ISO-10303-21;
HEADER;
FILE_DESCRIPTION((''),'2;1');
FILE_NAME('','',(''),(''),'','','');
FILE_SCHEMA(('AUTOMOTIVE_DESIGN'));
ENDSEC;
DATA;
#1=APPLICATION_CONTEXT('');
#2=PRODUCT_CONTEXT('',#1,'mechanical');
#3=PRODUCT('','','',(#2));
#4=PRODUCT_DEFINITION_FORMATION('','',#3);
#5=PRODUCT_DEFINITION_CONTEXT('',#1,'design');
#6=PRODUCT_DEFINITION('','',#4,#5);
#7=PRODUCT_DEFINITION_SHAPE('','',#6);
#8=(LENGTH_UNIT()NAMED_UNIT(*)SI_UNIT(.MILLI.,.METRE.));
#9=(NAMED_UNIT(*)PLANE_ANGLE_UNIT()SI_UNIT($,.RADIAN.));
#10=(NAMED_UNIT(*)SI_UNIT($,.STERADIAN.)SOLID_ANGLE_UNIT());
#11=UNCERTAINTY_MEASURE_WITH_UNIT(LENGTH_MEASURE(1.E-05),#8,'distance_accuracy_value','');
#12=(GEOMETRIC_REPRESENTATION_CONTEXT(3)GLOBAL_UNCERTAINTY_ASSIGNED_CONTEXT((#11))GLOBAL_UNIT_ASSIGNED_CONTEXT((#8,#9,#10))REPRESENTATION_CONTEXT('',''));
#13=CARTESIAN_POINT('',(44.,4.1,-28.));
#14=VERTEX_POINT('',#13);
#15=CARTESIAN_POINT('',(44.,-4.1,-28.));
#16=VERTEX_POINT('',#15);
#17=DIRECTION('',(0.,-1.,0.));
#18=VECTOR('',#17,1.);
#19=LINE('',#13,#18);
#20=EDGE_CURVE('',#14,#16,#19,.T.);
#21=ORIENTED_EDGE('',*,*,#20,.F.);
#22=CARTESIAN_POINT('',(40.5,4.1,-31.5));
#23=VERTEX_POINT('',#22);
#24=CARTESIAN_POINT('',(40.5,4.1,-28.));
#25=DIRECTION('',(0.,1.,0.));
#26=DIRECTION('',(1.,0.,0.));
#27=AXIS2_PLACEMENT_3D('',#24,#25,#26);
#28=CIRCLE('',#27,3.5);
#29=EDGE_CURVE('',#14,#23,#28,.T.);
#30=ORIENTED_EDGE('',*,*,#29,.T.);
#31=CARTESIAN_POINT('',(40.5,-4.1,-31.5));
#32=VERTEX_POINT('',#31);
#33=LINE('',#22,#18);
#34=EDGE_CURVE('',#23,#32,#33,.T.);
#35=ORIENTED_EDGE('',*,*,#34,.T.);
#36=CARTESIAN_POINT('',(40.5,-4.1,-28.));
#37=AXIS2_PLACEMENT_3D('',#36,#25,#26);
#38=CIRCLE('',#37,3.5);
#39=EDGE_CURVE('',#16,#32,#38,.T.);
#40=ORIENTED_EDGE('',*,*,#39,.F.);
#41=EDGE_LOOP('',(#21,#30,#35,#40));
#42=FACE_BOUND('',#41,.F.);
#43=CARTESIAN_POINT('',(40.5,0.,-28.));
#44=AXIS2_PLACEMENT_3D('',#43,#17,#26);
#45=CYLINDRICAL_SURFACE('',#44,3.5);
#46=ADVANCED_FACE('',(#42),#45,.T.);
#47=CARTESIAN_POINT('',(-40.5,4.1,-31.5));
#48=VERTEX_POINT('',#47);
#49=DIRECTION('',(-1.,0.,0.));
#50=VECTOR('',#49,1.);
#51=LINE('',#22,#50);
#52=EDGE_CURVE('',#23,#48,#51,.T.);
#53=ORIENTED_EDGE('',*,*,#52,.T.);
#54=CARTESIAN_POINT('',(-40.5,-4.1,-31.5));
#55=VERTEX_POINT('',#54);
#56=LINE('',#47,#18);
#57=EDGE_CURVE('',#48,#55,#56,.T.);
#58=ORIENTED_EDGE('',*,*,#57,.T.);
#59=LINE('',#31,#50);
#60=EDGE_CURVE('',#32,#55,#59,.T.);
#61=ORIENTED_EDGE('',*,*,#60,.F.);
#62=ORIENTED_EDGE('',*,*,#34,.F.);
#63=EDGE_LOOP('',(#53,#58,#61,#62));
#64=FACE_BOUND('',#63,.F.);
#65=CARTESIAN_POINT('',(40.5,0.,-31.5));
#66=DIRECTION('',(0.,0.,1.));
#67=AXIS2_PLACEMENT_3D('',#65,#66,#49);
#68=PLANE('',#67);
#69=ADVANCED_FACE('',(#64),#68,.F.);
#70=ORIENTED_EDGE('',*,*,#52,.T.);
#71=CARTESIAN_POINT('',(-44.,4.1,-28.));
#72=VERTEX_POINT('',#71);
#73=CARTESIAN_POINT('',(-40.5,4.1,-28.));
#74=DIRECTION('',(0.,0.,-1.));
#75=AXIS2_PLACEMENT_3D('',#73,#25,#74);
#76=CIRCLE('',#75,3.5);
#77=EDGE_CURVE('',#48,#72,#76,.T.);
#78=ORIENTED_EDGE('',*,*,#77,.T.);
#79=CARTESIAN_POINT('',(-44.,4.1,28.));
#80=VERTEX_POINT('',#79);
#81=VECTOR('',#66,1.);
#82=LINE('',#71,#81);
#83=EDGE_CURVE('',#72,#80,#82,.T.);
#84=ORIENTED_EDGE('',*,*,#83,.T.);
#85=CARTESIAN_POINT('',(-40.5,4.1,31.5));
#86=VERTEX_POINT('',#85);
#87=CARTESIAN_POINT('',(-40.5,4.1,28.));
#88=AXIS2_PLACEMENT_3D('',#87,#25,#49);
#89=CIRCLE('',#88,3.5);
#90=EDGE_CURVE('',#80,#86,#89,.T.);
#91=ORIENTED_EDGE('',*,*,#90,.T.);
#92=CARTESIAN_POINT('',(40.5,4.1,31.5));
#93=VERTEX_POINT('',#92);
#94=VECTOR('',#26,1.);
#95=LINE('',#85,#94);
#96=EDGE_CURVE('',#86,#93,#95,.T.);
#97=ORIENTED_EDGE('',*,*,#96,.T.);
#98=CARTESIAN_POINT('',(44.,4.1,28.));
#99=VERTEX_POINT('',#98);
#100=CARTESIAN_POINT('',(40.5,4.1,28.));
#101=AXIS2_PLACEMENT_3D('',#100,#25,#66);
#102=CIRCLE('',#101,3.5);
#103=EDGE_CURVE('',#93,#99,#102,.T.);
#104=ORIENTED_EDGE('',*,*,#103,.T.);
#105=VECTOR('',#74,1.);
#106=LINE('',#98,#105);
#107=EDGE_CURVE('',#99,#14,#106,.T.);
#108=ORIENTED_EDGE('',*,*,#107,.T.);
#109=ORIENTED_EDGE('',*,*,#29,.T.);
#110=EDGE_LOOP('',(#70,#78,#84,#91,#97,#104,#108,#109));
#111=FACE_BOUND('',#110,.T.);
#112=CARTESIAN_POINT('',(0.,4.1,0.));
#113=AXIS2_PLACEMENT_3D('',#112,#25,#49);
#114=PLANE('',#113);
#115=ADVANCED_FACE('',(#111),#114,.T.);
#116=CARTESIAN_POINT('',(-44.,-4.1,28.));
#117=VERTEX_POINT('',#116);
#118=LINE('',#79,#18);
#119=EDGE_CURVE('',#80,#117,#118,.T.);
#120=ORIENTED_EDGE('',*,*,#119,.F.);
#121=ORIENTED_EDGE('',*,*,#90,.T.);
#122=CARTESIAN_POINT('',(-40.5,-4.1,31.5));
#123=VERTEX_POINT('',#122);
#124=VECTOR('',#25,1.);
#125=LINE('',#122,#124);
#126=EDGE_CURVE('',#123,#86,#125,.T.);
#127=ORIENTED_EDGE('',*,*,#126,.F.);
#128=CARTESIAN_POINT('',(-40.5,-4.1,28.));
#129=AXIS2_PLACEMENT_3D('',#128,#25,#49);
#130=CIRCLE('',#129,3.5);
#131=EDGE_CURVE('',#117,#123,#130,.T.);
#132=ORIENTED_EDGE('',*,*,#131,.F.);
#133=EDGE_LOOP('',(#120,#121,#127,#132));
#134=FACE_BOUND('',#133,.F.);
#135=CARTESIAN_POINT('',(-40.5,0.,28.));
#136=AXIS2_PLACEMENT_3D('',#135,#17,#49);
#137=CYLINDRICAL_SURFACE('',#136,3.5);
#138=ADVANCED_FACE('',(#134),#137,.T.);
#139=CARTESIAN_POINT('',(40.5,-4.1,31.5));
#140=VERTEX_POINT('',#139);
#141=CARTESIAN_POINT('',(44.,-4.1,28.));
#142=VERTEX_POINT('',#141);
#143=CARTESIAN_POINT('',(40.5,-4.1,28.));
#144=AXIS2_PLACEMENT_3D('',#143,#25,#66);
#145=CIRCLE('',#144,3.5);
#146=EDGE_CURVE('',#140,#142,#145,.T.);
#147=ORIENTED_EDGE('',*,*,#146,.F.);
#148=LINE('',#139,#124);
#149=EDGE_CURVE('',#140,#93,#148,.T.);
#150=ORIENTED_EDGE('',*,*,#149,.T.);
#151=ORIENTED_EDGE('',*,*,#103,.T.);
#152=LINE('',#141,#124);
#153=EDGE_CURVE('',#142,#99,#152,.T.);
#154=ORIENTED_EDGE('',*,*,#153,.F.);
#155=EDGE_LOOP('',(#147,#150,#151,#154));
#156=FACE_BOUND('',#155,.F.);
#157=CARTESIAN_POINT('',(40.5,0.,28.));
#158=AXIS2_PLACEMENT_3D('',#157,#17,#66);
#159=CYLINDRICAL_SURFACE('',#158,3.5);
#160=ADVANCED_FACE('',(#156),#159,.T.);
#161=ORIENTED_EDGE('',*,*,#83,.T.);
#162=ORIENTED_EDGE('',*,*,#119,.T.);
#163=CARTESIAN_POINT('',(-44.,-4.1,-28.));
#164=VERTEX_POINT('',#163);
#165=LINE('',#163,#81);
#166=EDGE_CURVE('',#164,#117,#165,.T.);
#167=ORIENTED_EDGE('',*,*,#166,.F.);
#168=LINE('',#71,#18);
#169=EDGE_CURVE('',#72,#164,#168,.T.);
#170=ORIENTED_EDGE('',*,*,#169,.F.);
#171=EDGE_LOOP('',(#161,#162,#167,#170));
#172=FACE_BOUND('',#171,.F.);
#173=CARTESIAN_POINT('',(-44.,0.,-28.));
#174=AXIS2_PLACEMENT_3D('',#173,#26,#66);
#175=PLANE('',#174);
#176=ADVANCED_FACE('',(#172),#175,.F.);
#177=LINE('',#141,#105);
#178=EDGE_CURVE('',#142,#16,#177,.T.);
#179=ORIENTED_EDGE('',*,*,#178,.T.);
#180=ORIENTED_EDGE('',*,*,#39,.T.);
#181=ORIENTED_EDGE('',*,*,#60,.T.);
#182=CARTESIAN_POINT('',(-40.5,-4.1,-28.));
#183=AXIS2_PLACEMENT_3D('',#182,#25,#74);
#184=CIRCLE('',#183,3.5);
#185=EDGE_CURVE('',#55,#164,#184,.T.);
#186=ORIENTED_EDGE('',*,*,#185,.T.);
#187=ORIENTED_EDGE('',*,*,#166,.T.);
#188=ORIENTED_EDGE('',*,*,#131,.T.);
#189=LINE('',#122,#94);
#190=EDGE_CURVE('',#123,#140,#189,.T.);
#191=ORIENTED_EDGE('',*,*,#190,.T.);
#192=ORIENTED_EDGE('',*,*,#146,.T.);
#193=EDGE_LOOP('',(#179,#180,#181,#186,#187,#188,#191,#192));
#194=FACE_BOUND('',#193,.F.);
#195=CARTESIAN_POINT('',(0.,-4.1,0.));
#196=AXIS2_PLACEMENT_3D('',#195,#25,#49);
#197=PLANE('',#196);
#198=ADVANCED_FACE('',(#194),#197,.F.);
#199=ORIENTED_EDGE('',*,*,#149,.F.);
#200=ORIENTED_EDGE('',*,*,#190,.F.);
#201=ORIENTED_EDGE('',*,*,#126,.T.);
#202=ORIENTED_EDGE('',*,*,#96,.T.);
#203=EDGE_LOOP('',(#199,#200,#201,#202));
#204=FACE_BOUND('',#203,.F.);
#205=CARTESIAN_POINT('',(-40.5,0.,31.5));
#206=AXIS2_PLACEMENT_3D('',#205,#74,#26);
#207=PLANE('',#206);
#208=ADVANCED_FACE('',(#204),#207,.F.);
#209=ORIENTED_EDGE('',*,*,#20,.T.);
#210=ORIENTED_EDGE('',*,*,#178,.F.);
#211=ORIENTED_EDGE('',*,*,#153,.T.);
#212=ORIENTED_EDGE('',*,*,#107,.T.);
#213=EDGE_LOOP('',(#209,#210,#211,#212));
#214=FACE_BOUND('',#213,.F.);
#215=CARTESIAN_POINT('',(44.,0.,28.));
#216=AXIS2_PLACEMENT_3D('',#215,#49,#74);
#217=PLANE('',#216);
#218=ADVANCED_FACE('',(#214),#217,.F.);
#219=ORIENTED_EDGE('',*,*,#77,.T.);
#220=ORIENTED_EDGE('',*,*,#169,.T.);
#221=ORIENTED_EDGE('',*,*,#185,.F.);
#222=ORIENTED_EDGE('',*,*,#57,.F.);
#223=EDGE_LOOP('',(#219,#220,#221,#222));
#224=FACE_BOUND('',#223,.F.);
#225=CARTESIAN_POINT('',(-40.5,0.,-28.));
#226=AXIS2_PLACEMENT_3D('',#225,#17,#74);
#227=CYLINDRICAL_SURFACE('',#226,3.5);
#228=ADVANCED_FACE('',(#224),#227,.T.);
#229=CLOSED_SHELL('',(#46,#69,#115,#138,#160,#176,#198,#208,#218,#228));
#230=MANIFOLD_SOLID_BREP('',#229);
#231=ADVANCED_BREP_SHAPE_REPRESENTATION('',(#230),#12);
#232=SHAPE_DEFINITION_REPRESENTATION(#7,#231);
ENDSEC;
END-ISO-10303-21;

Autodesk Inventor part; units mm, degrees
ref_plane "YZ Plane" through (0, 0, 0) normal (1, 0, 0) x (0, 1, 0)
ref_plane "XZ Plane" through (0, 0, 0) normal (0, 1, 0) x (-1, 0, 0)
ref_plane "XY Plane" through (0, 0, 0) normal (0, 0, 1) x (1, 0, 0)
sketch "Sketch1" plane through (0, 0, 0) normal (0, 1, 0) x (-1, 0, 0)
  line L0 (40.5, 31.5) -> (-40.5, 31.5)
  line L1 (-44, 28) -> (-44, -28)
  line L2 (-40.5, -31.5) -> (40.5, -31.5)
  line L3 (44, -28) -> (44, 28)
  line L4 (44, 31.5) -> (-44, -31.5) construction
  line L5 (-44, 31.5) -> (44, -31.5) construction
  arc A0 (40.5, -31.5) -> (44, -28) centre (40.5, -28) ccw
  arc A1 (44, 28) -> (40.5, 31.5) centre (40.5, 28) ccw
  arc A2 (-40.5, 31.5) -> (-44, 28) centre (-40.5, 28) ccw
  arc A3 (-44, -28) -> (-40.5, -31.5) centre (-40.5, -28) ccw
  point P0 (0, 0)
  dimension "d0" = 88
  dimension "d1" = 63
  dimension "d2" = 3.5
extrude "Extrusion1" add sketch "Sketch1" along normal mid plane 8.2
properties part number "FactionReference_All" material "Paper"
